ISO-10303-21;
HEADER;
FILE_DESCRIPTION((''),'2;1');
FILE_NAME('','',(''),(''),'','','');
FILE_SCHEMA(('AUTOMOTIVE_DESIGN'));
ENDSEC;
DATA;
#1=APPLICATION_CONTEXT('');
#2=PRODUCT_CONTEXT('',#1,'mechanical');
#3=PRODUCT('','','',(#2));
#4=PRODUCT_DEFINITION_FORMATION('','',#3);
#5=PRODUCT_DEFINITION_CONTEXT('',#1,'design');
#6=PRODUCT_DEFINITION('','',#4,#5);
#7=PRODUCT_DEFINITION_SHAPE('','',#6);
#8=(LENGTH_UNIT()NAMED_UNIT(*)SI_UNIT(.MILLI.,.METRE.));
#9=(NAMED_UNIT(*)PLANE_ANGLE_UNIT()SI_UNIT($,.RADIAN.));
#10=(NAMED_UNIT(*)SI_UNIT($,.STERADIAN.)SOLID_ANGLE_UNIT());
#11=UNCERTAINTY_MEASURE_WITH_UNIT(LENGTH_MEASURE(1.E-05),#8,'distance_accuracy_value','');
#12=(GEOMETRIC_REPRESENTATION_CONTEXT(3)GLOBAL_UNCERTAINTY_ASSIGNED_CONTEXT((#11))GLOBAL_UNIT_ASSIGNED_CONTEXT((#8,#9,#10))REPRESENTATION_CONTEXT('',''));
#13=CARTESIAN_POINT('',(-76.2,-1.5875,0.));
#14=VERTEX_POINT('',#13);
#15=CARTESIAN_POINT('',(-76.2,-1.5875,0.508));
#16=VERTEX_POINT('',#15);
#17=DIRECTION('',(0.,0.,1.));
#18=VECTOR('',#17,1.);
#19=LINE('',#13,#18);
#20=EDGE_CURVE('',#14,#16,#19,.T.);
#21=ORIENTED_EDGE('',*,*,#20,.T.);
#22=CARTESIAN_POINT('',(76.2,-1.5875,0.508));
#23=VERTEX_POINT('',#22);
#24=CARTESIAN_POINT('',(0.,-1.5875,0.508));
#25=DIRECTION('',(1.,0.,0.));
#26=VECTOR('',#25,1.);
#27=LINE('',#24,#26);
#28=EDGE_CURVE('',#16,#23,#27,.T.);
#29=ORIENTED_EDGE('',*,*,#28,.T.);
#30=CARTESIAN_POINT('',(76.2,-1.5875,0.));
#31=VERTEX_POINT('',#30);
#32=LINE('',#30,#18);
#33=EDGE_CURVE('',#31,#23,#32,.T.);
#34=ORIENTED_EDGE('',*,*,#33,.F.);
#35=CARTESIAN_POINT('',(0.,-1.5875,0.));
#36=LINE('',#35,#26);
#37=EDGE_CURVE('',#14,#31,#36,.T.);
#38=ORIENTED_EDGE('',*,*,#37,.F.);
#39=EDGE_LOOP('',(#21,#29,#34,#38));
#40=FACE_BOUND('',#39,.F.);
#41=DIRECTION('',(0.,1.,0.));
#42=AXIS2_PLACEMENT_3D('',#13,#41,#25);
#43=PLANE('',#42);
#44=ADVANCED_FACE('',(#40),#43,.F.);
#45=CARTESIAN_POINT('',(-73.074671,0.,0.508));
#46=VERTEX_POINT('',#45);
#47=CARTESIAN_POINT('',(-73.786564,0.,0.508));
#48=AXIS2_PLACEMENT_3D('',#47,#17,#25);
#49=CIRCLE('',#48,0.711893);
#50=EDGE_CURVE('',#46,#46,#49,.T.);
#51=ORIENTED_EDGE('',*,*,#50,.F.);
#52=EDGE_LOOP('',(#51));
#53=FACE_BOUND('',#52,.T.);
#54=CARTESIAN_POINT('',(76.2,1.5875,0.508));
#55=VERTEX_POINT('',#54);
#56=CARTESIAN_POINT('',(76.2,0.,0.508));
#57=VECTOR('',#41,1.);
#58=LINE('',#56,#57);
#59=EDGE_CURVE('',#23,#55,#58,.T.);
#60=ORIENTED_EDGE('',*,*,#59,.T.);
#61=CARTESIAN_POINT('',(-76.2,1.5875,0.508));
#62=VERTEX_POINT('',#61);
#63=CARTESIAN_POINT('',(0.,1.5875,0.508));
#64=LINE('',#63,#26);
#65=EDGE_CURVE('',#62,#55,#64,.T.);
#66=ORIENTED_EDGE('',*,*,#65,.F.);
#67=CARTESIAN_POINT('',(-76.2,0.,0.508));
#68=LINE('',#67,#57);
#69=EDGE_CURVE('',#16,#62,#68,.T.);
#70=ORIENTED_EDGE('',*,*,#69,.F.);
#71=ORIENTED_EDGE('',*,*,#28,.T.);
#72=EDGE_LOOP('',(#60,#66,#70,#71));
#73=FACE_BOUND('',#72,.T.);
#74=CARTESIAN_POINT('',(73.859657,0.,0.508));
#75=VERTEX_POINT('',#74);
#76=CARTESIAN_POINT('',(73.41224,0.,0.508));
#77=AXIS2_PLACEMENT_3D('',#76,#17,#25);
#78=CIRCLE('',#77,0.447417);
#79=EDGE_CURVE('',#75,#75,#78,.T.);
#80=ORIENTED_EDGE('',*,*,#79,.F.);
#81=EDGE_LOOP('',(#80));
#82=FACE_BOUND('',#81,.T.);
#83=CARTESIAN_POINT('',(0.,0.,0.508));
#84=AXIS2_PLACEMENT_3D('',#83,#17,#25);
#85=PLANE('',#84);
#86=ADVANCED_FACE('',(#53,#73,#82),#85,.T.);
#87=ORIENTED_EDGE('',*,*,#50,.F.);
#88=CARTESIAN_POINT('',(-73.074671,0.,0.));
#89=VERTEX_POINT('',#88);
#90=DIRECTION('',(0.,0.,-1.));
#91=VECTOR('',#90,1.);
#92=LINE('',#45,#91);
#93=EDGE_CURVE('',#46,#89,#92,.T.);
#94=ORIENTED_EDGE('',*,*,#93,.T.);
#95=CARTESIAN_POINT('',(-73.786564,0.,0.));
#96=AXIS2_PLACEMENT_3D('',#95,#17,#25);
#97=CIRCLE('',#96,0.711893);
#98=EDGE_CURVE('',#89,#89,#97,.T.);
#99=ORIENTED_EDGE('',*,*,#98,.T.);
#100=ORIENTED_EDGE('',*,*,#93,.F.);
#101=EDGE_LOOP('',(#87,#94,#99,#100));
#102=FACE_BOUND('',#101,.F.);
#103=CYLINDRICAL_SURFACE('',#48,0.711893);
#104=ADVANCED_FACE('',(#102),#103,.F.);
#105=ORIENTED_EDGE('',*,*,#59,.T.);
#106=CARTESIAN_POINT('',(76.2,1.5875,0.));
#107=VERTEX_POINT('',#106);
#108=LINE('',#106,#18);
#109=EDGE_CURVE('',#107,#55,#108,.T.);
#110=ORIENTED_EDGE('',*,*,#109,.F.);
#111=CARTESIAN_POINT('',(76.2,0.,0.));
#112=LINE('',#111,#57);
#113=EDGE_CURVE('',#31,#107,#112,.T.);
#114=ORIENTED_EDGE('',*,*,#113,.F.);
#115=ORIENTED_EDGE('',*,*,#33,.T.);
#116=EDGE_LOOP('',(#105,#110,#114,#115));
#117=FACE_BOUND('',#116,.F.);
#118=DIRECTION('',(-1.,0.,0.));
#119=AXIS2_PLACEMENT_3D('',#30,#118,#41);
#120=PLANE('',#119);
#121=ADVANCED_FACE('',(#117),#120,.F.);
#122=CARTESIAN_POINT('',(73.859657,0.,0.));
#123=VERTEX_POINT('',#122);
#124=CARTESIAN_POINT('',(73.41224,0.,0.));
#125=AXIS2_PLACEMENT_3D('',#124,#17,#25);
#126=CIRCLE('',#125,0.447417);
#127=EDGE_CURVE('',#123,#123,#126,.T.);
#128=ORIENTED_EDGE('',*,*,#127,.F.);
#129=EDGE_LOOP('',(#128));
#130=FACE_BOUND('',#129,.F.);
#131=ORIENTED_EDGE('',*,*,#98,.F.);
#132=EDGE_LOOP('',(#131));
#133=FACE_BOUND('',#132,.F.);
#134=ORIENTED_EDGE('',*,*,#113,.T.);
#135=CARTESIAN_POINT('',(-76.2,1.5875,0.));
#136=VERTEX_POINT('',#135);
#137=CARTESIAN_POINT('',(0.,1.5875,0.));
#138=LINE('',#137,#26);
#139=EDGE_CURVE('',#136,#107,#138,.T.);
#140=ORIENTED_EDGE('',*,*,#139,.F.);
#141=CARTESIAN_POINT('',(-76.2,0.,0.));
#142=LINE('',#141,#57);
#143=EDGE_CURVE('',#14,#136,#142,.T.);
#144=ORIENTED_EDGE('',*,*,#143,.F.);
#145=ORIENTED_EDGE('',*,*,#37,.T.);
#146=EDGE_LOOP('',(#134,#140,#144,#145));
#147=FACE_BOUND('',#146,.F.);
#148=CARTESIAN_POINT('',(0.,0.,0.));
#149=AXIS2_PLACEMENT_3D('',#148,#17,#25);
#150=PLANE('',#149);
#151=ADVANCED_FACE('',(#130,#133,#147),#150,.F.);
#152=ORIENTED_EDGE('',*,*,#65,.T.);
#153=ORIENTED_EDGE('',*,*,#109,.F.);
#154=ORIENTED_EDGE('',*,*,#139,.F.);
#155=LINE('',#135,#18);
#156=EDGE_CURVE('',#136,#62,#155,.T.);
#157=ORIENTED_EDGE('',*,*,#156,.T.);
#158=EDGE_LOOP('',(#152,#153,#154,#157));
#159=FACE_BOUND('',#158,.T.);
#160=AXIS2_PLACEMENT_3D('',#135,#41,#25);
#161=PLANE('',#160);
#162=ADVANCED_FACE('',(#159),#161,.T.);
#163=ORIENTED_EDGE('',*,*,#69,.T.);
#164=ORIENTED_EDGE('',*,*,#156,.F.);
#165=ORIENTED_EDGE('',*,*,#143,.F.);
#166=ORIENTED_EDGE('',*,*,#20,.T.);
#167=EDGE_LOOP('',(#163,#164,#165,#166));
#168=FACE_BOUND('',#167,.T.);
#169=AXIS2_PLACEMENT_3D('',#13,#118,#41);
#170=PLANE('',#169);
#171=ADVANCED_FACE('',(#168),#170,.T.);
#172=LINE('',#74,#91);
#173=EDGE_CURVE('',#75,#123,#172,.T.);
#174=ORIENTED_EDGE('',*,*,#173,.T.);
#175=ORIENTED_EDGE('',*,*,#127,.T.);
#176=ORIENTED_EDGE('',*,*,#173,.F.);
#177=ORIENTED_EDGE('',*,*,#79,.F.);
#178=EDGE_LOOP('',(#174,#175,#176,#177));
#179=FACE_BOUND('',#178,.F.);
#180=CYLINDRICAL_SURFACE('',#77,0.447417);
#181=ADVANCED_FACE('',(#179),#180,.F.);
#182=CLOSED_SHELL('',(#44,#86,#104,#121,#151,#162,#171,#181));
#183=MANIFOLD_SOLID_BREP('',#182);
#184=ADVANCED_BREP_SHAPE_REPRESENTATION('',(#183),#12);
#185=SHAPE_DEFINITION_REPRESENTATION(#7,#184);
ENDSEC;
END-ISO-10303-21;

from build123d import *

# Parameters (mm, degrees)
F0_W     = 152.4
F0_H     = 3.175
F1_DEPTH = 0.508
F2_R     = 0.447417
F3_DEPTH = 25.4
F4_R     = 0.711893
F5_DEPTH = 25.4


with BuildPart() as f1:
    # F0 (on Top) → F1 (new body)
    with BuildSketch(Plane.XY):
        Rectangle(F0_W, F0_H)
    extrude(amount=F1_DEPTH)

    # F2 (on face) → F3 (cut)
    with BuildSketch(Plane.XY.offset(0.508)):
        with Locations((73.41224, 0)):
            Circle(F2_R)
    extrude(amount=-F3_DEPTH, mode=Mode.SUBTRACT)

    # F4 (on face) → F5 (cut)
    with BuildSketch(Plane.XY.offset(0.508)):
        with Locations((-73.786564, 0)):
            Circle(F4_R)
    extrude(amount=-F5_DEPTH, mode=Mode.SUBTRACT)


solid = f1.part
